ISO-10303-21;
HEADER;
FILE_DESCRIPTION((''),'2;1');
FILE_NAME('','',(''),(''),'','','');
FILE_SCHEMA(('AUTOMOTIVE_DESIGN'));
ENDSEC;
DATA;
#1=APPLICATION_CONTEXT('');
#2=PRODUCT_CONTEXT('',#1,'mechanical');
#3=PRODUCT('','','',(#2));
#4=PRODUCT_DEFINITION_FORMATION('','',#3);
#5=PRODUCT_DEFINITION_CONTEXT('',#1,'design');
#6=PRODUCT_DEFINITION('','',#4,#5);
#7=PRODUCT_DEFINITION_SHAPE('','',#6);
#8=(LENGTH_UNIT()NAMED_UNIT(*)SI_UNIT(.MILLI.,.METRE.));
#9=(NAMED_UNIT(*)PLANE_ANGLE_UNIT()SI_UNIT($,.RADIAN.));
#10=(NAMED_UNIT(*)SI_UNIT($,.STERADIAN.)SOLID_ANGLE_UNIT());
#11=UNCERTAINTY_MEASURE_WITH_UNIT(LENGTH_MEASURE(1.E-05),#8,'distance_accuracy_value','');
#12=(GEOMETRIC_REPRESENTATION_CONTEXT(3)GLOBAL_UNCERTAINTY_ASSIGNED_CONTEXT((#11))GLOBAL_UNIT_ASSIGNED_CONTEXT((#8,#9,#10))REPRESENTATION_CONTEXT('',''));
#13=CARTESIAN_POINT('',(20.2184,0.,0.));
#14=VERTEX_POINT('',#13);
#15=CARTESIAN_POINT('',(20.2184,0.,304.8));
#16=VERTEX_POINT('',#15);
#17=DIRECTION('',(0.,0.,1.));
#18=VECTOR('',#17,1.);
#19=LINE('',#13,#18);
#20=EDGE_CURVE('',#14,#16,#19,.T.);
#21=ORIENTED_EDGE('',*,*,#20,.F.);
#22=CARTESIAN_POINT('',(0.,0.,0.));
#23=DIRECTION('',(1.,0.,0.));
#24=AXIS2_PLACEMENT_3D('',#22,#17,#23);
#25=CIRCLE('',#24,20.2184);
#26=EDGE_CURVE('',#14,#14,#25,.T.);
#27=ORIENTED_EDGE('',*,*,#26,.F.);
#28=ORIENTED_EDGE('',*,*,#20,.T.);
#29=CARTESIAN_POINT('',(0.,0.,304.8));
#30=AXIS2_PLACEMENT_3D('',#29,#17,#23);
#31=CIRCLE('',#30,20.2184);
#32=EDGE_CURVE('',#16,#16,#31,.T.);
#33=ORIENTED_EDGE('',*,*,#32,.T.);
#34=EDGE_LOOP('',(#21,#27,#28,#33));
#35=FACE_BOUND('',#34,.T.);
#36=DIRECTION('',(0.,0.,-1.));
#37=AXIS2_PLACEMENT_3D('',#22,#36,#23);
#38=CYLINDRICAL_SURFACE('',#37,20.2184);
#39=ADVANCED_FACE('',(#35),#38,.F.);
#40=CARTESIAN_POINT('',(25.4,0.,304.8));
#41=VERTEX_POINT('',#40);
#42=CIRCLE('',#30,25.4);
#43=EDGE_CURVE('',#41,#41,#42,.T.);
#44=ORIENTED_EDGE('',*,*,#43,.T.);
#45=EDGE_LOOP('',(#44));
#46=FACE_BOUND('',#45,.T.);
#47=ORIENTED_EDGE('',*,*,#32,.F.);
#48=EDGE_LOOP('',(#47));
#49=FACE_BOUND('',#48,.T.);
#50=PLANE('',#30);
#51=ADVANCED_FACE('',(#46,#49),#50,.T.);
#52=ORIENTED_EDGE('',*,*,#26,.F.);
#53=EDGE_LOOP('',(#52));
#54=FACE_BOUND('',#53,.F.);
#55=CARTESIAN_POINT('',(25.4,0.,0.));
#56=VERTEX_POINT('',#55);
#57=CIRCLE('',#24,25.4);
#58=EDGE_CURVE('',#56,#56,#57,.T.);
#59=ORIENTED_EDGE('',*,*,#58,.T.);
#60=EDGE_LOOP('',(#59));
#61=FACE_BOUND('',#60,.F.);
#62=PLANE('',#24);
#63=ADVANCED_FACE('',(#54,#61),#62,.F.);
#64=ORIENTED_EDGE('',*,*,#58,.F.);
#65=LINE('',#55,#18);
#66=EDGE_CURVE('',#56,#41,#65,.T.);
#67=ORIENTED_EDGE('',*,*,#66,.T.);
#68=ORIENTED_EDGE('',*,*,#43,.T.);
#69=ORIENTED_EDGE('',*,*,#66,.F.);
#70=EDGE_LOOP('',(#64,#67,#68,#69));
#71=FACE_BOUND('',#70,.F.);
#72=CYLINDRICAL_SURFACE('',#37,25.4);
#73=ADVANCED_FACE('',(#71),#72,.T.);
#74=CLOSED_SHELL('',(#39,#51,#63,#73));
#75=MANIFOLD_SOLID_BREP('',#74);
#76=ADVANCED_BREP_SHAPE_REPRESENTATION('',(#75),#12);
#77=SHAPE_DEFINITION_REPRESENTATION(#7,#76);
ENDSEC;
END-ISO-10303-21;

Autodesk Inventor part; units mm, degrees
ref_plane "YZ Plane" through (0, 0, 0) normal (1, 0, 0) x (0, 1, 0)
ref_plane "XZ Plane" through (0, 0, 0) normal (0, 1, 0) x (-1, 0, 0)
ref_plane "XY Plane" through (0, 0, 0) normal (0, 0, 1) x (1, 0, 0)
sketch "Sketch1" plane through (0, 0, 0) normal (0, 0, 1) x (1, 0, 0)
  circle A0 centre (0, 0) radius 25.4
  circle A1 centre (0, 0) radius 20.2184
  dimension "d0" = 50.8
  dimension "d2" = 40.4368
extrude "Extrusion1" add sketch "Sketch1" along normal blind 304.8
properties part number "Conveyor_Roller_PVCPipe_size1.5" material "PVC-Piping"
